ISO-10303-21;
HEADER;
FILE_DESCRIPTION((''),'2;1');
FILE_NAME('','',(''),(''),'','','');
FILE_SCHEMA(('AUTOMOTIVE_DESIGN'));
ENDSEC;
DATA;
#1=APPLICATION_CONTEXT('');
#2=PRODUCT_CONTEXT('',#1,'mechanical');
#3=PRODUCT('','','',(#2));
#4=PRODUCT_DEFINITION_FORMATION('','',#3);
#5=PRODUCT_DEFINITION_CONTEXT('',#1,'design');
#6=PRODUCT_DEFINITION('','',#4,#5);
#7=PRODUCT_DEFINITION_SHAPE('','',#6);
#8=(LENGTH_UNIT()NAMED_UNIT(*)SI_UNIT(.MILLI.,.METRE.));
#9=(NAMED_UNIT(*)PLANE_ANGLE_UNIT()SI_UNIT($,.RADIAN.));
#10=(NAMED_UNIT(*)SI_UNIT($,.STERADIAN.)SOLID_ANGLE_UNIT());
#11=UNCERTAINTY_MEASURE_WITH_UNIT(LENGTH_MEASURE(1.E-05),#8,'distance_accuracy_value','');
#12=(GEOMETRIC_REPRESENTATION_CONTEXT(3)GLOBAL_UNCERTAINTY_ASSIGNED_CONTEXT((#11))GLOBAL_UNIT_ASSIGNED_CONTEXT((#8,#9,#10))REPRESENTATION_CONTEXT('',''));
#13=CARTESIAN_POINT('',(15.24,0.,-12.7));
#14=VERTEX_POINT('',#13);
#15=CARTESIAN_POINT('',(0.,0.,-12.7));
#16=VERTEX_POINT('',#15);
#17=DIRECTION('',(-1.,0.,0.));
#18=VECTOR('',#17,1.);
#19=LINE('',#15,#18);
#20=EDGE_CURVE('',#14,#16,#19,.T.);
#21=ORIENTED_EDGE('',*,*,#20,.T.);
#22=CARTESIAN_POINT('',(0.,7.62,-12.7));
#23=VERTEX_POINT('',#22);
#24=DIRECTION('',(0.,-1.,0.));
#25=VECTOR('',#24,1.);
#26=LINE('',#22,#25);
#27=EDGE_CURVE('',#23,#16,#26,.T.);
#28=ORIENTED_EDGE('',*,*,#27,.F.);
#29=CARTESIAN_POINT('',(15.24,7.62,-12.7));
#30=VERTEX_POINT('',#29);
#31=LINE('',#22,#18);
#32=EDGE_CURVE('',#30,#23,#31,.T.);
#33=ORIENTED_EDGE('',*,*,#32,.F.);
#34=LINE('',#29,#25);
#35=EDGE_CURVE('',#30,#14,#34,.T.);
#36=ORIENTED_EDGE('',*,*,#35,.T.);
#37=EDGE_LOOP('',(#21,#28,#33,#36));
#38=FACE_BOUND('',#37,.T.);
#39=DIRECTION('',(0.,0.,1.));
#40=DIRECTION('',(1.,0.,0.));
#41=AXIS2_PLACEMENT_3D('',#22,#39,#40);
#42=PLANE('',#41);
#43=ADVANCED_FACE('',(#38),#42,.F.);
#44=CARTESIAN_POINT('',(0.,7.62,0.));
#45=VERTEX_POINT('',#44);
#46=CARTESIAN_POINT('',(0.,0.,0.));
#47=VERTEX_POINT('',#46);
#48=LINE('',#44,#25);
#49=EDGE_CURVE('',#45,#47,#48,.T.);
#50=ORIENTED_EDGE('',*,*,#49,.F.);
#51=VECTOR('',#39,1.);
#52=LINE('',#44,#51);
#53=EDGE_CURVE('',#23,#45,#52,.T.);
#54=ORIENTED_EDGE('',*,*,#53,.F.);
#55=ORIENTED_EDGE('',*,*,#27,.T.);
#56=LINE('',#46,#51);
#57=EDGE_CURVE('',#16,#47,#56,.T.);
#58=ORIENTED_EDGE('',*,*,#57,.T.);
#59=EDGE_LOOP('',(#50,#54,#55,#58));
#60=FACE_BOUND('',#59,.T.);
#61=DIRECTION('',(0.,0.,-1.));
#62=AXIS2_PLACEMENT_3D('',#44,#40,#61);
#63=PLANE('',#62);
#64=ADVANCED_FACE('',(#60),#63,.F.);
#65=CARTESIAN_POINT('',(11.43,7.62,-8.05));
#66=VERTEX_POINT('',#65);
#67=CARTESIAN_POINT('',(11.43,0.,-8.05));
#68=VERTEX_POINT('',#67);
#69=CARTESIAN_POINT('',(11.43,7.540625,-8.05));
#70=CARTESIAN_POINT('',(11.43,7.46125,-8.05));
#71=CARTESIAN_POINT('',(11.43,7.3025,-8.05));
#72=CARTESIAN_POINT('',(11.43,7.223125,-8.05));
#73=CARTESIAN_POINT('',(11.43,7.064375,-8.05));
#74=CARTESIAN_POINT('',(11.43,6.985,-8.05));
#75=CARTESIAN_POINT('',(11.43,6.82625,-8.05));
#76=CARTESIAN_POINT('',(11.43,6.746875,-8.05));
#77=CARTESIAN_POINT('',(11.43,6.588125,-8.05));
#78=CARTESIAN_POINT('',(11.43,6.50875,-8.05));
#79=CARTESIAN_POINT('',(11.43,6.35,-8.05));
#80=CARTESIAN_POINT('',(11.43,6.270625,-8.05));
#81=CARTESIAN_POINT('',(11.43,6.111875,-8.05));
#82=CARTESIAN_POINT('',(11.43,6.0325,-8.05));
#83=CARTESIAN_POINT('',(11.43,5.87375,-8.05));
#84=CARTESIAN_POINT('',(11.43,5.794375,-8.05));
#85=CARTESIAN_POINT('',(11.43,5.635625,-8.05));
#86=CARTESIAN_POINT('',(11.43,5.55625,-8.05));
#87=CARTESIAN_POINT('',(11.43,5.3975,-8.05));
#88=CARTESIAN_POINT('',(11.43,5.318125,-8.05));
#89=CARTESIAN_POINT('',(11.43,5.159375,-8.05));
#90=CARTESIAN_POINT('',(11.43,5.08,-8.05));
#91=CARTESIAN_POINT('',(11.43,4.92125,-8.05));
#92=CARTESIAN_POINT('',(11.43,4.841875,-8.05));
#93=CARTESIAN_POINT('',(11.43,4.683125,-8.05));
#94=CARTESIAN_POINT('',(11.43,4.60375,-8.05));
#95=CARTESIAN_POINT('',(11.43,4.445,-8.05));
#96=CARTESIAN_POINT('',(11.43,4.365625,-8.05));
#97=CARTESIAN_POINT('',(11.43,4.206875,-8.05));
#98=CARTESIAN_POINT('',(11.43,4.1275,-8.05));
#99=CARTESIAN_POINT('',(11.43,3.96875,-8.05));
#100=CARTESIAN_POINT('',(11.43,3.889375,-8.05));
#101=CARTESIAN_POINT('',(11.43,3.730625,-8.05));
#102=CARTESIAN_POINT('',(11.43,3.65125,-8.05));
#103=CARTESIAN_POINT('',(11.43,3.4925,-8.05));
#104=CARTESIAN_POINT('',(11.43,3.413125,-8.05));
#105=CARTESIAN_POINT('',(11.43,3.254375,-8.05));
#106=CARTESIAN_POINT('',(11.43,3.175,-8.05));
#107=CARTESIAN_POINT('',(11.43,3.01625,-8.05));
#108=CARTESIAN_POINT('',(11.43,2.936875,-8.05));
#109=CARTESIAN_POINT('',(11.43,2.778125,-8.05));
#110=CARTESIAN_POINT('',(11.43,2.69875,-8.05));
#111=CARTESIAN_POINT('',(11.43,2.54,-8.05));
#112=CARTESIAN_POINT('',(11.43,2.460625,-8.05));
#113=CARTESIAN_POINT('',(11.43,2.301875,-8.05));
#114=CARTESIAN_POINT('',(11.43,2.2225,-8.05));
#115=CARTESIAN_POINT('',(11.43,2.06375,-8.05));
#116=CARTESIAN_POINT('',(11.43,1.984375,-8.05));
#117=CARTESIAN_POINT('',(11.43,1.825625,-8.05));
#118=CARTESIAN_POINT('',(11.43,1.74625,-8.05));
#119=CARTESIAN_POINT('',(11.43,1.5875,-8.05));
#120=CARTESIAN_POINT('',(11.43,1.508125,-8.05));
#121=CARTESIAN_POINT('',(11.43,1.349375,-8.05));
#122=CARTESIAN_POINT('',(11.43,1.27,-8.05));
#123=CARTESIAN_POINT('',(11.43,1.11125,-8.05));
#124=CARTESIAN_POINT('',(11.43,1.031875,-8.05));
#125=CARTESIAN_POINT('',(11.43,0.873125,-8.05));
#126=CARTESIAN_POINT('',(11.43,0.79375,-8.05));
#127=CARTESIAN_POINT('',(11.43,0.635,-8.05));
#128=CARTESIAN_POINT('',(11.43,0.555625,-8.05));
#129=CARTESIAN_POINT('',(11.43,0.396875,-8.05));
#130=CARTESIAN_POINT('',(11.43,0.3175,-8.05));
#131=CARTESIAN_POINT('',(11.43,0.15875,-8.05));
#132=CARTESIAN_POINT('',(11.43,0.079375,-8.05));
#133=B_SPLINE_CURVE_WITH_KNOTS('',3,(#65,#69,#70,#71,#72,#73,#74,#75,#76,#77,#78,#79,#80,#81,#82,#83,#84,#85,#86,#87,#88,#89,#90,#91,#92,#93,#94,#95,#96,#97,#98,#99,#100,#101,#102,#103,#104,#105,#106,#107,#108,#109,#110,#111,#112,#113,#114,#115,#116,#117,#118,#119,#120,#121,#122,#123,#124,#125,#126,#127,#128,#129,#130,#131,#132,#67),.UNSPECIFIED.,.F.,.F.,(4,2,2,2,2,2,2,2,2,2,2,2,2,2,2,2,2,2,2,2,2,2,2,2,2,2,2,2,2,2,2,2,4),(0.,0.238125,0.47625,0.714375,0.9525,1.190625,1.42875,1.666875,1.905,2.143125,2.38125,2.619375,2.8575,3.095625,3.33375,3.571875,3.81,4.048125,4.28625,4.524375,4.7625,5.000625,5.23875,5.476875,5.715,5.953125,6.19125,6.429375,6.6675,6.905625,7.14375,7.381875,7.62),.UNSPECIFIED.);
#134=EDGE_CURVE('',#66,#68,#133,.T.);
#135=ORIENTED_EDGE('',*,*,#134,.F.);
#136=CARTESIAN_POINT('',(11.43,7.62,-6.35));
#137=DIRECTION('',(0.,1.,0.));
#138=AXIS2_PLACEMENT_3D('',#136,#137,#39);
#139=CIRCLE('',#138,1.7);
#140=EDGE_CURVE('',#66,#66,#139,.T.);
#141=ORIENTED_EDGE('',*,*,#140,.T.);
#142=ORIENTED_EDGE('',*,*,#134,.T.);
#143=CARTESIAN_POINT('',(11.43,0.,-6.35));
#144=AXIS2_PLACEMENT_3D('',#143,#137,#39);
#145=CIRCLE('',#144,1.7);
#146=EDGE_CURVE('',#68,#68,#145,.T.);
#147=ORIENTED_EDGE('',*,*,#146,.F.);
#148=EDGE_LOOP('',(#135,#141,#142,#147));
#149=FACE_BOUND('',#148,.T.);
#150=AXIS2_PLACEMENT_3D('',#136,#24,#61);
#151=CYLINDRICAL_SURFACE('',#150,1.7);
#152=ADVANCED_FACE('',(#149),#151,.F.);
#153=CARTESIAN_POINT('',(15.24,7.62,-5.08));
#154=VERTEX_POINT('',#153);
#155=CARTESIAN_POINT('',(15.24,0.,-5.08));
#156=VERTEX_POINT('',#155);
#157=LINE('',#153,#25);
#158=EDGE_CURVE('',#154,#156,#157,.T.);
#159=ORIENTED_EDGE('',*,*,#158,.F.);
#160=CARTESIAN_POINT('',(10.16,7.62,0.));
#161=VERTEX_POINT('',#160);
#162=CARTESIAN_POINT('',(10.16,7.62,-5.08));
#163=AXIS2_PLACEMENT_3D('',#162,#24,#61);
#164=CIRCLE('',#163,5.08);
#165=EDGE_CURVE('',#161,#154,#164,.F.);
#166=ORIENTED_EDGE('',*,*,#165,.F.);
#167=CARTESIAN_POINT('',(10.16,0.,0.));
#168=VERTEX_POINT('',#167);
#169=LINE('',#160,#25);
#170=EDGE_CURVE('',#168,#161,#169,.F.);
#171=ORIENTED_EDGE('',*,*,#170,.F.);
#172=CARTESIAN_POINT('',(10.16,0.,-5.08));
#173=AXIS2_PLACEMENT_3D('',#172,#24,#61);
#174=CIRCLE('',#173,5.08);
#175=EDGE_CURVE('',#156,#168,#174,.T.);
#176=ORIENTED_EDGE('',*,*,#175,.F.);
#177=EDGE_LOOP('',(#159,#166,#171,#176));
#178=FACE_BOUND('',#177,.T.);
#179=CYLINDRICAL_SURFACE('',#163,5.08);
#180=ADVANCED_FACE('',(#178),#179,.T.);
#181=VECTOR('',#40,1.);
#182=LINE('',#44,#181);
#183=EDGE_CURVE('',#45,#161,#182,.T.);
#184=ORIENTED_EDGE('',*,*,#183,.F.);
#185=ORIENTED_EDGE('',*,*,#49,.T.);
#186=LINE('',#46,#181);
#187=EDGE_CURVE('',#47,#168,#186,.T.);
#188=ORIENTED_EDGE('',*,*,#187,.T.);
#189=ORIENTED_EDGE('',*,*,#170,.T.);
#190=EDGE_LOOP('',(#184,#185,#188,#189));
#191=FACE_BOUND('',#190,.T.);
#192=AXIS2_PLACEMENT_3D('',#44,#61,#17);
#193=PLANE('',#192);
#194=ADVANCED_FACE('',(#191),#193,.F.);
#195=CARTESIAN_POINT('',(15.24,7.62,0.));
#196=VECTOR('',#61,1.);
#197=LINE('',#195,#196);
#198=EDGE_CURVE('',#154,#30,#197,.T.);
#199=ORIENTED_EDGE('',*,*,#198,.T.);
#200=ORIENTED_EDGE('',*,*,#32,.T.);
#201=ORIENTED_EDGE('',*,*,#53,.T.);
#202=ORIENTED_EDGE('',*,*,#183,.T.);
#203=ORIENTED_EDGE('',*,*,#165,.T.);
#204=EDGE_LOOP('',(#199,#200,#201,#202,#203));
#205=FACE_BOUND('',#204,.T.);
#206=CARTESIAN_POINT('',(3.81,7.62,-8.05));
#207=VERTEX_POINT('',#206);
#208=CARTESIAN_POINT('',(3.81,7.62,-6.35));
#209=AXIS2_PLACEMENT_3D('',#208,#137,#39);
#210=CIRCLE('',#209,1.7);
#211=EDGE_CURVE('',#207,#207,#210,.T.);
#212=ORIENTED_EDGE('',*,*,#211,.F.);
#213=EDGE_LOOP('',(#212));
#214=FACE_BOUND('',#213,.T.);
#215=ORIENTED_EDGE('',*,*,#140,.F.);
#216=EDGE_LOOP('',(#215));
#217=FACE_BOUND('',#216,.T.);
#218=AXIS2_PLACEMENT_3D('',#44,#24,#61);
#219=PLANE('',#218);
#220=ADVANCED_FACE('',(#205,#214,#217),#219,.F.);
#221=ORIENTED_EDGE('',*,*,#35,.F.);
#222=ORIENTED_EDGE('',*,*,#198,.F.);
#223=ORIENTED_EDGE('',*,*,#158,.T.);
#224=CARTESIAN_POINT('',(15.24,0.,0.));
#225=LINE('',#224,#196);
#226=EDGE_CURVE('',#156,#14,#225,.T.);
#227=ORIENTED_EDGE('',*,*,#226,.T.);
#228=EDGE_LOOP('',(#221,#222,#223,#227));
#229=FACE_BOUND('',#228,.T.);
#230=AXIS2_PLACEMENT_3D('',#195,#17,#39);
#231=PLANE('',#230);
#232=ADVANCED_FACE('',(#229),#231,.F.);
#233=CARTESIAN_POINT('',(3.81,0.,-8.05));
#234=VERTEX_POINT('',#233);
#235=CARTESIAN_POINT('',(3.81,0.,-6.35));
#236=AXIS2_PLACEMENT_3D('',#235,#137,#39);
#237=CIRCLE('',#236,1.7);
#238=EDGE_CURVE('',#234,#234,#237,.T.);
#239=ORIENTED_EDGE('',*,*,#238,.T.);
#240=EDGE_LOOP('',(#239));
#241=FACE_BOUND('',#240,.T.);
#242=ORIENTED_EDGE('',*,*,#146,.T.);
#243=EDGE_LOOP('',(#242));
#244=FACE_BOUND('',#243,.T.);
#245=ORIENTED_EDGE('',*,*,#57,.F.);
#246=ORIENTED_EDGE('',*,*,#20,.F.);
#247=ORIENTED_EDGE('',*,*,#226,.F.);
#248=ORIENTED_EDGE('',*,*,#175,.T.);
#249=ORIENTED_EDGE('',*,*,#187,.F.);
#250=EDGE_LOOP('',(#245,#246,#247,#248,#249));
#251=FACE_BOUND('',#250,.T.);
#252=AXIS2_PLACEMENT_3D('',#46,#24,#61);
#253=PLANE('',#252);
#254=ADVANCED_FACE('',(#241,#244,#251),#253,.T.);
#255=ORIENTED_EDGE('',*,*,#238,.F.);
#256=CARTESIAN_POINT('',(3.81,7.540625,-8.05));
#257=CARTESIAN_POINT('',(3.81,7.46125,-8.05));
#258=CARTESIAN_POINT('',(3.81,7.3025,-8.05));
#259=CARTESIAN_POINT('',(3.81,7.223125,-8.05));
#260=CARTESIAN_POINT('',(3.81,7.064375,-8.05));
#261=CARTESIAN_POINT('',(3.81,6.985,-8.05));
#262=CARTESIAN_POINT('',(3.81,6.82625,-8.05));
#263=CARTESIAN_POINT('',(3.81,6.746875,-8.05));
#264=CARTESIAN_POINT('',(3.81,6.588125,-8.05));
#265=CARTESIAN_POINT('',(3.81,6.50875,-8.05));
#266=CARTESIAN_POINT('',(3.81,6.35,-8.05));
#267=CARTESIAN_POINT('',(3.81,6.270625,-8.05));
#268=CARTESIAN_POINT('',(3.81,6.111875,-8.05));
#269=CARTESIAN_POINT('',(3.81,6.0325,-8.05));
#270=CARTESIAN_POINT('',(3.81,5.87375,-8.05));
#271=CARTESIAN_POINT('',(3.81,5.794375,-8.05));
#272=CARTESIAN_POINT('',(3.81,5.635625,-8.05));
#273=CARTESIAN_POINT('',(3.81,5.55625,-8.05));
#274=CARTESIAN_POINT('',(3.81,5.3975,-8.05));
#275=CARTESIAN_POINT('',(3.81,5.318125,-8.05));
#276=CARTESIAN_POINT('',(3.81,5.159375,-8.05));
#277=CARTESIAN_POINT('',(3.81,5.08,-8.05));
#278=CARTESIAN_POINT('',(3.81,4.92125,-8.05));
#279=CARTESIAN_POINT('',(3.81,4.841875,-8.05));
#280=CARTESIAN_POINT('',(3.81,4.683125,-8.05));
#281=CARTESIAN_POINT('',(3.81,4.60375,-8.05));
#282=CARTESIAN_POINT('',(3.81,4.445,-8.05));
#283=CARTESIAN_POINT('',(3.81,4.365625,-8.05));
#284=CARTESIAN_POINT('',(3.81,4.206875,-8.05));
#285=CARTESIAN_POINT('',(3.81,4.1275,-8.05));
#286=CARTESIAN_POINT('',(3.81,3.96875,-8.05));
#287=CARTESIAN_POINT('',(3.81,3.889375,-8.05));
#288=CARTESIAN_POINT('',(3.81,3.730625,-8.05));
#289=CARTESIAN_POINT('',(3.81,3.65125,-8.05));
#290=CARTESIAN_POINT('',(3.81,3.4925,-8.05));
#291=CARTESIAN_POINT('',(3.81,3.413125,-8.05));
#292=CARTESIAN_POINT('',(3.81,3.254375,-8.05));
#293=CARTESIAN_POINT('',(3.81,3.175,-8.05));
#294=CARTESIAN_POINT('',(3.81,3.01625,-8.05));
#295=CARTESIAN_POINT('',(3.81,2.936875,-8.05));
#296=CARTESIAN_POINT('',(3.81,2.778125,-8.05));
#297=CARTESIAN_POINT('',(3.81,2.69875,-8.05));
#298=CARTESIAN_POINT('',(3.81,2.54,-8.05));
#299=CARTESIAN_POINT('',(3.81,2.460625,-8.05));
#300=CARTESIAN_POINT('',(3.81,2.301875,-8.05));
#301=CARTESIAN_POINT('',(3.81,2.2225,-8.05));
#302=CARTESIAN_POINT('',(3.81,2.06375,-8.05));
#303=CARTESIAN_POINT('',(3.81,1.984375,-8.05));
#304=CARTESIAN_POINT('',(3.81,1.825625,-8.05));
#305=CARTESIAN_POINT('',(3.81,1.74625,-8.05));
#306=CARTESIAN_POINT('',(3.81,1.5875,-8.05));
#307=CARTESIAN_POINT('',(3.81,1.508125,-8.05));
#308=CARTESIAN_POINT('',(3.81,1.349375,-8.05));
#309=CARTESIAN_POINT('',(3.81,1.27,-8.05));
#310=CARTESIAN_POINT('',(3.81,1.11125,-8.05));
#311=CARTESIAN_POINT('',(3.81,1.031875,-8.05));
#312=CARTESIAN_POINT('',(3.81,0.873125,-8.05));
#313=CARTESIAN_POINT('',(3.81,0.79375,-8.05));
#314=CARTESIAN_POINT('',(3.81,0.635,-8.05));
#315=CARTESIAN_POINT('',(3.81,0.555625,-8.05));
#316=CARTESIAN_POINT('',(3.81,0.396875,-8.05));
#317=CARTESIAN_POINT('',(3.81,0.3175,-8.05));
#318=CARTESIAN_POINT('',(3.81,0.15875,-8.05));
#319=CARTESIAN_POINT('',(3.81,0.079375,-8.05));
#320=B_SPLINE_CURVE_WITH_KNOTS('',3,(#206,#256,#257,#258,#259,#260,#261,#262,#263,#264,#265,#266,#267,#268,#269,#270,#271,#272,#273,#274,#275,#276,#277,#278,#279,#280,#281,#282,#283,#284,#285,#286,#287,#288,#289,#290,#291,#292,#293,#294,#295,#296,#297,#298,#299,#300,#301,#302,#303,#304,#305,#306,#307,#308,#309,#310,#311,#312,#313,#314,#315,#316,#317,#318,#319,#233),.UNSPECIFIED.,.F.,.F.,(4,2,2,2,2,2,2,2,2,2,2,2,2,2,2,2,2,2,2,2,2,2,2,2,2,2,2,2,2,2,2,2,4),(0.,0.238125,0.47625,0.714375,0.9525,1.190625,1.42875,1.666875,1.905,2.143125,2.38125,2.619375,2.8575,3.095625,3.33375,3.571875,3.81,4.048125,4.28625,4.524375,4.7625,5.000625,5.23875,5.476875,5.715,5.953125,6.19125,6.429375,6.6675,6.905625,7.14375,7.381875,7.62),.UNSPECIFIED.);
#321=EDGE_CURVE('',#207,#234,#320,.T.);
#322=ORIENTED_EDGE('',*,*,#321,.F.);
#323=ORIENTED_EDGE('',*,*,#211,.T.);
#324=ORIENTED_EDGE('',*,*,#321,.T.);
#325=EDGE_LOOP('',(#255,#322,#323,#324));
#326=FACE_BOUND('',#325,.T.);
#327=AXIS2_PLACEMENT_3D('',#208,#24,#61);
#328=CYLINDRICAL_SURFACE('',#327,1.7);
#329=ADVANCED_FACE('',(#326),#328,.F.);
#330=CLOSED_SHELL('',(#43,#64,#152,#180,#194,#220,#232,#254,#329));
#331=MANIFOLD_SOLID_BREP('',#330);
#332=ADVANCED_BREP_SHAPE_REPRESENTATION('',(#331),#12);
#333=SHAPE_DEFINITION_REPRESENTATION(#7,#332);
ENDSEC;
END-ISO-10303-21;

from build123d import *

# Parameters (mm, degrees)
SKETCH1_W           = 15.24
SKETCH1_H           = 12.7
SKETCH1_R           = 1.7
BOSS_EXTRUDE1_DEPTH = 7.62
FILLET1_R           = 5.08


with BuildPart() as part:
    # Sketch1 → Boss-Extrude1 (new body)
    with BuildSketch(Plane(origin=(0, 0, 0), x_dir=(1, 0, 0), z_dir=(0, 1, 0))):
        with Locations((7.62, 6.35)):
            Rectangle(SKETCH1_W, SKETCH1_H)
        with Locations(Location((11.43, 6.35, 0), (0, 0, 90))):
            Circle(SKETCH1_R, mode=Mode.SUBTRACT)
        with Locations(Location((3.81, 6.35, 0), (0, 0, 90))):
            Circle(SKETCH1_R, mode=Mode.SUBTRACT)
    extrude(amount=BOSS_EXTRUDE1_DEPTH)

    # Fillet1
    fillet1_edges = [part.edges().sort_by_distance(p)[0] for p in [
        (15.24, 3.81, 0),
    ]]
    fillet(fillet1_edges, radius=FILLET1_R)


solid = part.part
